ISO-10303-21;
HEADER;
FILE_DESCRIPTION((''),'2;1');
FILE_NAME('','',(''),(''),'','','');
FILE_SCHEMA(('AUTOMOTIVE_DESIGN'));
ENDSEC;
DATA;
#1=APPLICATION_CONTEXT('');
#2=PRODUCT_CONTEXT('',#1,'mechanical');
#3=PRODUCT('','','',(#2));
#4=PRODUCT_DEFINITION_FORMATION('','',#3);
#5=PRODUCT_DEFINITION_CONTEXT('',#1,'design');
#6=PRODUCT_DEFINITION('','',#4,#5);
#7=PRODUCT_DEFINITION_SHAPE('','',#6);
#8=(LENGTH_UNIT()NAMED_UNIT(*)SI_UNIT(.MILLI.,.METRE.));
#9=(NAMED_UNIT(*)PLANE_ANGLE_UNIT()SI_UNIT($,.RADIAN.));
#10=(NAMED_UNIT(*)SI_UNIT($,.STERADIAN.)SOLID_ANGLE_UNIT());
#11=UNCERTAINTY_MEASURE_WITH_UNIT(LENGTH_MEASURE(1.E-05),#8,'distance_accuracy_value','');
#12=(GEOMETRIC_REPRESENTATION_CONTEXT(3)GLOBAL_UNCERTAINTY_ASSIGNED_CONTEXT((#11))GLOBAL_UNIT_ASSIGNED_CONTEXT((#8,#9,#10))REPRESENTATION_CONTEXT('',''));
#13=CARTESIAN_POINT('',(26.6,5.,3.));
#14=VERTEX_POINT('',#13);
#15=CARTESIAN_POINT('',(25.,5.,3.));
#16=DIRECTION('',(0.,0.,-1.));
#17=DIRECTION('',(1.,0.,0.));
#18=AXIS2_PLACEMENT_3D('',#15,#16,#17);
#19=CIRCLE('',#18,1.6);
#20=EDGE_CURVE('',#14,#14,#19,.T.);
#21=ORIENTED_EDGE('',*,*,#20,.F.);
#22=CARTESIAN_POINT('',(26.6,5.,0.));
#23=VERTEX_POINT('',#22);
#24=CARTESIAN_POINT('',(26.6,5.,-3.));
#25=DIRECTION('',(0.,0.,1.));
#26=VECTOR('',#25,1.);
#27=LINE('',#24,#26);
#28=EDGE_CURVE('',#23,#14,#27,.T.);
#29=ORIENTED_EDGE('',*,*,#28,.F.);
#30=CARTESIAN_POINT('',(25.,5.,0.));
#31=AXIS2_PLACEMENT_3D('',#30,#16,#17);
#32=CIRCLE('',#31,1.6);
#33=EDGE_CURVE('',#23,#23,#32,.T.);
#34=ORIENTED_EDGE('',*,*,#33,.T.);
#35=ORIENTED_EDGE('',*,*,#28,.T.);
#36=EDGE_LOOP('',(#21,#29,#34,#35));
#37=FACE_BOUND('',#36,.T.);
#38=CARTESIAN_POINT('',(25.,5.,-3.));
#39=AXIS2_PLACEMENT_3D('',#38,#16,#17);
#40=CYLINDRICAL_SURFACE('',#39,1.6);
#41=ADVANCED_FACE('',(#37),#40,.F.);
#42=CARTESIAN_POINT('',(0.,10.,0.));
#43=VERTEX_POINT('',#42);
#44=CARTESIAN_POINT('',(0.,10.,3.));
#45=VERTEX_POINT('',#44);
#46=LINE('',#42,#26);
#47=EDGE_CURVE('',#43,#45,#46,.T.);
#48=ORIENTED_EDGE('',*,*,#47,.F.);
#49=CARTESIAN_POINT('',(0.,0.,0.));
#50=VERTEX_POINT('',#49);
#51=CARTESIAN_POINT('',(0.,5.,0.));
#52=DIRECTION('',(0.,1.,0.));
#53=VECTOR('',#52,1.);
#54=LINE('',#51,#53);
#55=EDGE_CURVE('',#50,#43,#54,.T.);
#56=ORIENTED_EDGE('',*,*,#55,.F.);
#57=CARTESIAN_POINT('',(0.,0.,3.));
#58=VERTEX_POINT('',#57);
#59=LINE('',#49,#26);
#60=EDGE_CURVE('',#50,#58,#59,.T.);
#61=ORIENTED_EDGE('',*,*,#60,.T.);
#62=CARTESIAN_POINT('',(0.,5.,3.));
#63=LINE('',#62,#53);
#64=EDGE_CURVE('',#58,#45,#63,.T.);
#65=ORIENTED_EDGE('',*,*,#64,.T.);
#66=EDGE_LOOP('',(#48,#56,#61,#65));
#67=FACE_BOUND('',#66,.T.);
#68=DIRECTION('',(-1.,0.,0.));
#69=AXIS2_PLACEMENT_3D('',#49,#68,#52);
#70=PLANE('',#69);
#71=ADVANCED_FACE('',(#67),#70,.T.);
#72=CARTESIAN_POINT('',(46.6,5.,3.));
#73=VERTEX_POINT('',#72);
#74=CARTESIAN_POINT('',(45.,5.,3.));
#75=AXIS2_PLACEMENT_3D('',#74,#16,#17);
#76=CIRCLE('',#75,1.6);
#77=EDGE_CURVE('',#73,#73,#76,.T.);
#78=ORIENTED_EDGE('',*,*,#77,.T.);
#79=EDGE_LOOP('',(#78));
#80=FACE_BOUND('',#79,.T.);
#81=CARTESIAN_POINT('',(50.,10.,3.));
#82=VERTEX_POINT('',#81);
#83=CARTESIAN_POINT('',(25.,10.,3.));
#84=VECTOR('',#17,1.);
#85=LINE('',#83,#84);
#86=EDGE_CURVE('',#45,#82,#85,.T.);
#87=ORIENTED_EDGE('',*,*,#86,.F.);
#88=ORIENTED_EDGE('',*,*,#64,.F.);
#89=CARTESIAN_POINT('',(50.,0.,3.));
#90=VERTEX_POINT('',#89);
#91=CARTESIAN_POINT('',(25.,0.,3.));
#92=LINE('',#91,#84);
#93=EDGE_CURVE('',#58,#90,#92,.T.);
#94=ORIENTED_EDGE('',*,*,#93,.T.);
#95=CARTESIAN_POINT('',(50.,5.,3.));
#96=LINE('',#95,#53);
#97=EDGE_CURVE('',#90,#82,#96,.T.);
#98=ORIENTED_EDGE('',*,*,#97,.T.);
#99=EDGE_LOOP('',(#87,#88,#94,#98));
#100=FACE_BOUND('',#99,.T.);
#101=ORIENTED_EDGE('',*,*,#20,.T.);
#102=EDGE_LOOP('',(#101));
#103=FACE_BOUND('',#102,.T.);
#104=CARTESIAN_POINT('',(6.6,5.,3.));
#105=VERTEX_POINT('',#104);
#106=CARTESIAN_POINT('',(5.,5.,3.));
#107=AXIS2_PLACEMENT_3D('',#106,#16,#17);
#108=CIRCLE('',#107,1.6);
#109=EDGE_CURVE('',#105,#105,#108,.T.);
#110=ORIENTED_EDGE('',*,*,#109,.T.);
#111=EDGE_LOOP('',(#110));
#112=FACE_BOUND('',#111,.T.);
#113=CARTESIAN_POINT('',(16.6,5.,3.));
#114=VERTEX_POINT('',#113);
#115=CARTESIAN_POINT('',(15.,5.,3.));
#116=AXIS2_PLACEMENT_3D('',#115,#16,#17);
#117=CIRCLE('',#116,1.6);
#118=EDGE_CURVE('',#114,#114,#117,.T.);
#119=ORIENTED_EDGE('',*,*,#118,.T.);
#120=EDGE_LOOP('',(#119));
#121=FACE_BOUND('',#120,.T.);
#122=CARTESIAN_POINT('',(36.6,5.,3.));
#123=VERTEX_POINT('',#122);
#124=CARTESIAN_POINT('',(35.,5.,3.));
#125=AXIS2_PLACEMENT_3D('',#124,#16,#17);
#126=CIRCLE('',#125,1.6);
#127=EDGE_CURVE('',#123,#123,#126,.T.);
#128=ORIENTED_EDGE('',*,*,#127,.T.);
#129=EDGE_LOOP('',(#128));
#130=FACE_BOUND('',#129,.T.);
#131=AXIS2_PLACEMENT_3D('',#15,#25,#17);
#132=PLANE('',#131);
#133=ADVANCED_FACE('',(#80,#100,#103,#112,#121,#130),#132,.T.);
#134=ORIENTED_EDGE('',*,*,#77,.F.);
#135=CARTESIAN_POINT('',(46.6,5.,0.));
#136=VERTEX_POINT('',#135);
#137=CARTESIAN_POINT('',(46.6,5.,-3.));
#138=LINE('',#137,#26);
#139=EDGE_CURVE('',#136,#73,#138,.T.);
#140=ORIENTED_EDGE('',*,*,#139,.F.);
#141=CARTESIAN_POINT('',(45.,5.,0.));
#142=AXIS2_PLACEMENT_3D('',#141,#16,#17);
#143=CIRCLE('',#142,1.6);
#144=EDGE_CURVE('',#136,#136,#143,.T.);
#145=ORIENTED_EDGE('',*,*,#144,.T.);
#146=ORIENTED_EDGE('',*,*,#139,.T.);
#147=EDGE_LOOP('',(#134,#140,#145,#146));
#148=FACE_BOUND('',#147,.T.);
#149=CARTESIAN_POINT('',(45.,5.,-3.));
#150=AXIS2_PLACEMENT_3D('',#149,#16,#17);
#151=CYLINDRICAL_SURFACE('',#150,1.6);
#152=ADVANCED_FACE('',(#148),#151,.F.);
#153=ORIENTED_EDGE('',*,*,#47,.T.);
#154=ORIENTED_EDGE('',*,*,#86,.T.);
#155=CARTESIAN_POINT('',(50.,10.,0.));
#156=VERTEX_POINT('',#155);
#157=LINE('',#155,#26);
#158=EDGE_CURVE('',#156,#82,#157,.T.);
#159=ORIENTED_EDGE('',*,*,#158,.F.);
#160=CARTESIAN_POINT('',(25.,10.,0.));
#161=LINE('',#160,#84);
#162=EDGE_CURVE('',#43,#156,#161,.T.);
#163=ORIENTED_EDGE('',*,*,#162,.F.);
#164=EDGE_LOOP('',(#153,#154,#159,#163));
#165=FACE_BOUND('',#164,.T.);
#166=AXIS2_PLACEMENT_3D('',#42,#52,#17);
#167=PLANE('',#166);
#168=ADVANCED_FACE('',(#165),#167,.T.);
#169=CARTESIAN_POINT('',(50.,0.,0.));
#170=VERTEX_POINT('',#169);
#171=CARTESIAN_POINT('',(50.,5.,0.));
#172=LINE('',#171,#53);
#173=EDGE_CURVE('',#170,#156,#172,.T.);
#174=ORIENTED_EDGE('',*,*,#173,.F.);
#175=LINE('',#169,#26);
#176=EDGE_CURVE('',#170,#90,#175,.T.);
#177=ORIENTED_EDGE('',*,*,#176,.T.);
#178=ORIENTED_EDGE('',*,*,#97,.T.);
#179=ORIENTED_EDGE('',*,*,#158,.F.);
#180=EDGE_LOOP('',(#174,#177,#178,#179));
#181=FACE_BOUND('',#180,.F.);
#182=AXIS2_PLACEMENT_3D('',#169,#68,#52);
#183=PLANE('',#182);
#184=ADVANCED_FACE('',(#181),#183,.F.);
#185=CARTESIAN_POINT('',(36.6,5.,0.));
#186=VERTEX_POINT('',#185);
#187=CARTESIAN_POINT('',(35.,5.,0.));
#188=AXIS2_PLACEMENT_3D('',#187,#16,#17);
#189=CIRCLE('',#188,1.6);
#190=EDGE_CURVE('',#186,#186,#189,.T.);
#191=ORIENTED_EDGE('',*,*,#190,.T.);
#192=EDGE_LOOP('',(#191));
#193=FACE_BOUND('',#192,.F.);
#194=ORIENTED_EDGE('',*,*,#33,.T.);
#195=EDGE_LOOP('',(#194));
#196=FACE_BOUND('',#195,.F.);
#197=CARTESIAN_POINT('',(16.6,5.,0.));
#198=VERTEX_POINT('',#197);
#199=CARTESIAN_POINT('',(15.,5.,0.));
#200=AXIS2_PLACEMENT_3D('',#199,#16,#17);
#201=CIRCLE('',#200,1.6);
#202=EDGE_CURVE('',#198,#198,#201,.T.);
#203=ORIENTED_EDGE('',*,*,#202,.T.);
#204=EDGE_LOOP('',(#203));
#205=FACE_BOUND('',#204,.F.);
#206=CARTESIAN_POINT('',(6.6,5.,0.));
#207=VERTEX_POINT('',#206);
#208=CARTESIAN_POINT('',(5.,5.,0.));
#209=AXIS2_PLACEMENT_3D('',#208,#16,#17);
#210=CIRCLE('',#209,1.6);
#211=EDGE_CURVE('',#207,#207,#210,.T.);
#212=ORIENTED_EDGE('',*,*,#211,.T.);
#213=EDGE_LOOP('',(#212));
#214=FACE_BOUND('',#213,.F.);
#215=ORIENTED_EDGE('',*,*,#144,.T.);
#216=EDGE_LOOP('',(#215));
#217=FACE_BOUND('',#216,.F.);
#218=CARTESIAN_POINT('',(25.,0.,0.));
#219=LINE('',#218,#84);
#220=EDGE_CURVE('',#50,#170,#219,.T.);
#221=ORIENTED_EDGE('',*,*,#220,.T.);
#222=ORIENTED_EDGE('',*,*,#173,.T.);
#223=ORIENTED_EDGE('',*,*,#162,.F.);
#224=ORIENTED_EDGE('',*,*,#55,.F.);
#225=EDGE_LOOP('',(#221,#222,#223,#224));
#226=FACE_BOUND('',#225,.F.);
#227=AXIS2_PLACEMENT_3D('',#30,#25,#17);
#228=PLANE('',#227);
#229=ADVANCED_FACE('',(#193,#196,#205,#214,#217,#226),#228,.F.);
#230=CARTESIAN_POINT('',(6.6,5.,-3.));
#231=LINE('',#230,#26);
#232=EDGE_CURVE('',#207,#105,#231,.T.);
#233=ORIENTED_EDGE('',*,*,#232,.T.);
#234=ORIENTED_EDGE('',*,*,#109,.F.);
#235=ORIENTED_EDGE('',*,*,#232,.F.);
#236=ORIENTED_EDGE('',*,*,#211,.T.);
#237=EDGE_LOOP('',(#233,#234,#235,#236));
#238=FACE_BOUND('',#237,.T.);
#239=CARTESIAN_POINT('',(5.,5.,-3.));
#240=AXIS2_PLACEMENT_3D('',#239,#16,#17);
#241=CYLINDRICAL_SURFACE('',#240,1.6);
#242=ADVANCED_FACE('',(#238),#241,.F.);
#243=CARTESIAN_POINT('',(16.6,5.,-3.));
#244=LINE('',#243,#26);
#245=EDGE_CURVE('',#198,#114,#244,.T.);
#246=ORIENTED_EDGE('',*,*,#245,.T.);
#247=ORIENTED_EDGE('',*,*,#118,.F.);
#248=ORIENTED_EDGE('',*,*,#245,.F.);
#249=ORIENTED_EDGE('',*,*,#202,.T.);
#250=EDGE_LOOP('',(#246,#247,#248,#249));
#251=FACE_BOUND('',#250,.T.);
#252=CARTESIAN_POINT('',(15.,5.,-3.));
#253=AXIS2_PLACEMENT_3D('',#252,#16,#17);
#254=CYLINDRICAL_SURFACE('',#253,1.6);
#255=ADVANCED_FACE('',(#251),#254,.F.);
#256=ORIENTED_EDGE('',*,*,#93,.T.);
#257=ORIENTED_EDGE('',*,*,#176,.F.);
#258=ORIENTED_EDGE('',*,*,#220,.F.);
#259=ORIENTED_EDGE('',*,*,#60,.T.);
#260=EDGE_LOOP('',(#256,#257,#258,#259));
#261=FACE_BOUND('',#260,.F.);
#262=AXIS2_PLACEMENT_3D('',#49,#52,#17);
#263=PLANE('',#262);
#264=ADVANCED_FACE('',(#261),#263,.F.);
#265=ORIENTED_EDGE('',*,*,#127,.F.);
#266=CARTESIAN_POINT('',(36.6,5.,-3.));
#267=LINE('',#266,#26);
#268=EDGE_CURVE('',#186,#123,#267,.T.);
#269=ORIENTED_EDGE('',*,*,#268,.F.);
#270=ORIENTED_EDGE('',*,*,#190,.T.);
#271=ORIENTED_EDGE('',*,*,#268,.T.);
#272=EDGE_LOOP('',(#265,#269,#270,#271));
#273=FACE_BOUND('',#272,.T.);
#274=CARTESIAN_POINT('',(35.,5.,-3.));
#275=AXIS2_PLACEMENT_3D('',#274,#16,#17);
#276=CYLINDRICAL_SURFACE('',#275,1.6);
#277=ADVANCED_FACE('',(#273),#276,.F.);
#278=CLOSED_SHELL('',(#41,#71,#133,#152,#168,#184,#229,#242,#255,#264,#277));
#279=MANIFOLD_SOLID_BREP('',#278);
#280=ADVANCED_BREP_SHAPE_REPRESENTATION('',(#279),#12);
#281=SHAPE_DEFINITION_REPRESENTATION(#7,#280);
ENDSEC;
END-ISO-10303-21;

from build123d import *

# Parameters (mm, degrees)
CYLINDER001_R     = 1.6
CYLINDER001_DEPTH = 10
CYLINDER_R        = 1.6
CYLINDER_DEPTH    = 10
CYLINDER002_R     = 1.6
CYLINDER002_DEPTH = 10
CYLINDER003_R     = 1.6
CYLINDER003_DEPTH = 10
CYLINDER004_R     = 1.6
CYLINDER004_DEPTH = 10
BOX_W             = 50
BOX_H             = 10
BOX_DEPTH         = 3


with BuildPart() as cylinder001:
    # Cylinder001 → Cylinder001 (new body)
    with BuildSketch(Plane(origin=(15, 5, -3), x_dir=(1, 0, 0), z_dir=(0, 0, 1))):
        Circle(CYLINDER001_R)
    extrude(amount=CYLINDER001_DEPTH)


with BuildPart() as cylinder:
    # Cylinder → Cylinder (new body)
    with BuildSketch(Plane(origin=(5, 5, -3), x_dir=(1, 0, 0), z_dir=(0, 0, 1))):
        Circle(CYLINDER_R)
    extrude(amount=CYLINDER_DEPTH)


with BuildPart() as cylinder002:
    # Cylinder002 → Cylinder002 (new body)
    with BuildSketch(Plane(origin=(25, 5, -3), x_dir=(1, 0, 0), z_dir=(0, 0, 1))):
        Circle(CYLINDER002_R)
    extrude(amount=CYLINDER002_DEPTH)


with BuildPart() as cylinder003:
    # Cylinder003 → Cylinder003 (new body)
    with BuildSketch(Plane(origin=(35, 5, -3), x_dir=(1, 0, 0), z_dir=(0, 0, 1))):
        Circle(CYLINDER003_R)
    extrude(amount=CYLINDER003_DEPTH)


with BuildPart() as fusion:
    # Cylinder004 → Cylinder004 (new body)
    with BuildSketch(Plane(origin=(45, 5, -3), x_dir=(1, 0, 0), z_dir=(0, 0, 1))):
        Circle(CYLINDER004_R)
    extrude(amount=CYLINDER004_DEPTH)

    # Fusion: union Cylinder001, Cylinder, Cylinder002, Cylinder003
    add(cylinder001.part)
    add(cylinder.part)
    add(cylinder002.part)
    add(cylinder003.part)


with BuildPart() as cut:
    # Box → Box (new body)
    with BuildSketch(Plane.XY):
        with Locations((25, 5)):
            Rectangle(BOX_W, BOX_H)
    extrude(amount=BOX_DEPTH)

    # Cut: cut Fusion
    add(fusion.part, mode=Mode.SUBTRACT)


solid = cut.part
